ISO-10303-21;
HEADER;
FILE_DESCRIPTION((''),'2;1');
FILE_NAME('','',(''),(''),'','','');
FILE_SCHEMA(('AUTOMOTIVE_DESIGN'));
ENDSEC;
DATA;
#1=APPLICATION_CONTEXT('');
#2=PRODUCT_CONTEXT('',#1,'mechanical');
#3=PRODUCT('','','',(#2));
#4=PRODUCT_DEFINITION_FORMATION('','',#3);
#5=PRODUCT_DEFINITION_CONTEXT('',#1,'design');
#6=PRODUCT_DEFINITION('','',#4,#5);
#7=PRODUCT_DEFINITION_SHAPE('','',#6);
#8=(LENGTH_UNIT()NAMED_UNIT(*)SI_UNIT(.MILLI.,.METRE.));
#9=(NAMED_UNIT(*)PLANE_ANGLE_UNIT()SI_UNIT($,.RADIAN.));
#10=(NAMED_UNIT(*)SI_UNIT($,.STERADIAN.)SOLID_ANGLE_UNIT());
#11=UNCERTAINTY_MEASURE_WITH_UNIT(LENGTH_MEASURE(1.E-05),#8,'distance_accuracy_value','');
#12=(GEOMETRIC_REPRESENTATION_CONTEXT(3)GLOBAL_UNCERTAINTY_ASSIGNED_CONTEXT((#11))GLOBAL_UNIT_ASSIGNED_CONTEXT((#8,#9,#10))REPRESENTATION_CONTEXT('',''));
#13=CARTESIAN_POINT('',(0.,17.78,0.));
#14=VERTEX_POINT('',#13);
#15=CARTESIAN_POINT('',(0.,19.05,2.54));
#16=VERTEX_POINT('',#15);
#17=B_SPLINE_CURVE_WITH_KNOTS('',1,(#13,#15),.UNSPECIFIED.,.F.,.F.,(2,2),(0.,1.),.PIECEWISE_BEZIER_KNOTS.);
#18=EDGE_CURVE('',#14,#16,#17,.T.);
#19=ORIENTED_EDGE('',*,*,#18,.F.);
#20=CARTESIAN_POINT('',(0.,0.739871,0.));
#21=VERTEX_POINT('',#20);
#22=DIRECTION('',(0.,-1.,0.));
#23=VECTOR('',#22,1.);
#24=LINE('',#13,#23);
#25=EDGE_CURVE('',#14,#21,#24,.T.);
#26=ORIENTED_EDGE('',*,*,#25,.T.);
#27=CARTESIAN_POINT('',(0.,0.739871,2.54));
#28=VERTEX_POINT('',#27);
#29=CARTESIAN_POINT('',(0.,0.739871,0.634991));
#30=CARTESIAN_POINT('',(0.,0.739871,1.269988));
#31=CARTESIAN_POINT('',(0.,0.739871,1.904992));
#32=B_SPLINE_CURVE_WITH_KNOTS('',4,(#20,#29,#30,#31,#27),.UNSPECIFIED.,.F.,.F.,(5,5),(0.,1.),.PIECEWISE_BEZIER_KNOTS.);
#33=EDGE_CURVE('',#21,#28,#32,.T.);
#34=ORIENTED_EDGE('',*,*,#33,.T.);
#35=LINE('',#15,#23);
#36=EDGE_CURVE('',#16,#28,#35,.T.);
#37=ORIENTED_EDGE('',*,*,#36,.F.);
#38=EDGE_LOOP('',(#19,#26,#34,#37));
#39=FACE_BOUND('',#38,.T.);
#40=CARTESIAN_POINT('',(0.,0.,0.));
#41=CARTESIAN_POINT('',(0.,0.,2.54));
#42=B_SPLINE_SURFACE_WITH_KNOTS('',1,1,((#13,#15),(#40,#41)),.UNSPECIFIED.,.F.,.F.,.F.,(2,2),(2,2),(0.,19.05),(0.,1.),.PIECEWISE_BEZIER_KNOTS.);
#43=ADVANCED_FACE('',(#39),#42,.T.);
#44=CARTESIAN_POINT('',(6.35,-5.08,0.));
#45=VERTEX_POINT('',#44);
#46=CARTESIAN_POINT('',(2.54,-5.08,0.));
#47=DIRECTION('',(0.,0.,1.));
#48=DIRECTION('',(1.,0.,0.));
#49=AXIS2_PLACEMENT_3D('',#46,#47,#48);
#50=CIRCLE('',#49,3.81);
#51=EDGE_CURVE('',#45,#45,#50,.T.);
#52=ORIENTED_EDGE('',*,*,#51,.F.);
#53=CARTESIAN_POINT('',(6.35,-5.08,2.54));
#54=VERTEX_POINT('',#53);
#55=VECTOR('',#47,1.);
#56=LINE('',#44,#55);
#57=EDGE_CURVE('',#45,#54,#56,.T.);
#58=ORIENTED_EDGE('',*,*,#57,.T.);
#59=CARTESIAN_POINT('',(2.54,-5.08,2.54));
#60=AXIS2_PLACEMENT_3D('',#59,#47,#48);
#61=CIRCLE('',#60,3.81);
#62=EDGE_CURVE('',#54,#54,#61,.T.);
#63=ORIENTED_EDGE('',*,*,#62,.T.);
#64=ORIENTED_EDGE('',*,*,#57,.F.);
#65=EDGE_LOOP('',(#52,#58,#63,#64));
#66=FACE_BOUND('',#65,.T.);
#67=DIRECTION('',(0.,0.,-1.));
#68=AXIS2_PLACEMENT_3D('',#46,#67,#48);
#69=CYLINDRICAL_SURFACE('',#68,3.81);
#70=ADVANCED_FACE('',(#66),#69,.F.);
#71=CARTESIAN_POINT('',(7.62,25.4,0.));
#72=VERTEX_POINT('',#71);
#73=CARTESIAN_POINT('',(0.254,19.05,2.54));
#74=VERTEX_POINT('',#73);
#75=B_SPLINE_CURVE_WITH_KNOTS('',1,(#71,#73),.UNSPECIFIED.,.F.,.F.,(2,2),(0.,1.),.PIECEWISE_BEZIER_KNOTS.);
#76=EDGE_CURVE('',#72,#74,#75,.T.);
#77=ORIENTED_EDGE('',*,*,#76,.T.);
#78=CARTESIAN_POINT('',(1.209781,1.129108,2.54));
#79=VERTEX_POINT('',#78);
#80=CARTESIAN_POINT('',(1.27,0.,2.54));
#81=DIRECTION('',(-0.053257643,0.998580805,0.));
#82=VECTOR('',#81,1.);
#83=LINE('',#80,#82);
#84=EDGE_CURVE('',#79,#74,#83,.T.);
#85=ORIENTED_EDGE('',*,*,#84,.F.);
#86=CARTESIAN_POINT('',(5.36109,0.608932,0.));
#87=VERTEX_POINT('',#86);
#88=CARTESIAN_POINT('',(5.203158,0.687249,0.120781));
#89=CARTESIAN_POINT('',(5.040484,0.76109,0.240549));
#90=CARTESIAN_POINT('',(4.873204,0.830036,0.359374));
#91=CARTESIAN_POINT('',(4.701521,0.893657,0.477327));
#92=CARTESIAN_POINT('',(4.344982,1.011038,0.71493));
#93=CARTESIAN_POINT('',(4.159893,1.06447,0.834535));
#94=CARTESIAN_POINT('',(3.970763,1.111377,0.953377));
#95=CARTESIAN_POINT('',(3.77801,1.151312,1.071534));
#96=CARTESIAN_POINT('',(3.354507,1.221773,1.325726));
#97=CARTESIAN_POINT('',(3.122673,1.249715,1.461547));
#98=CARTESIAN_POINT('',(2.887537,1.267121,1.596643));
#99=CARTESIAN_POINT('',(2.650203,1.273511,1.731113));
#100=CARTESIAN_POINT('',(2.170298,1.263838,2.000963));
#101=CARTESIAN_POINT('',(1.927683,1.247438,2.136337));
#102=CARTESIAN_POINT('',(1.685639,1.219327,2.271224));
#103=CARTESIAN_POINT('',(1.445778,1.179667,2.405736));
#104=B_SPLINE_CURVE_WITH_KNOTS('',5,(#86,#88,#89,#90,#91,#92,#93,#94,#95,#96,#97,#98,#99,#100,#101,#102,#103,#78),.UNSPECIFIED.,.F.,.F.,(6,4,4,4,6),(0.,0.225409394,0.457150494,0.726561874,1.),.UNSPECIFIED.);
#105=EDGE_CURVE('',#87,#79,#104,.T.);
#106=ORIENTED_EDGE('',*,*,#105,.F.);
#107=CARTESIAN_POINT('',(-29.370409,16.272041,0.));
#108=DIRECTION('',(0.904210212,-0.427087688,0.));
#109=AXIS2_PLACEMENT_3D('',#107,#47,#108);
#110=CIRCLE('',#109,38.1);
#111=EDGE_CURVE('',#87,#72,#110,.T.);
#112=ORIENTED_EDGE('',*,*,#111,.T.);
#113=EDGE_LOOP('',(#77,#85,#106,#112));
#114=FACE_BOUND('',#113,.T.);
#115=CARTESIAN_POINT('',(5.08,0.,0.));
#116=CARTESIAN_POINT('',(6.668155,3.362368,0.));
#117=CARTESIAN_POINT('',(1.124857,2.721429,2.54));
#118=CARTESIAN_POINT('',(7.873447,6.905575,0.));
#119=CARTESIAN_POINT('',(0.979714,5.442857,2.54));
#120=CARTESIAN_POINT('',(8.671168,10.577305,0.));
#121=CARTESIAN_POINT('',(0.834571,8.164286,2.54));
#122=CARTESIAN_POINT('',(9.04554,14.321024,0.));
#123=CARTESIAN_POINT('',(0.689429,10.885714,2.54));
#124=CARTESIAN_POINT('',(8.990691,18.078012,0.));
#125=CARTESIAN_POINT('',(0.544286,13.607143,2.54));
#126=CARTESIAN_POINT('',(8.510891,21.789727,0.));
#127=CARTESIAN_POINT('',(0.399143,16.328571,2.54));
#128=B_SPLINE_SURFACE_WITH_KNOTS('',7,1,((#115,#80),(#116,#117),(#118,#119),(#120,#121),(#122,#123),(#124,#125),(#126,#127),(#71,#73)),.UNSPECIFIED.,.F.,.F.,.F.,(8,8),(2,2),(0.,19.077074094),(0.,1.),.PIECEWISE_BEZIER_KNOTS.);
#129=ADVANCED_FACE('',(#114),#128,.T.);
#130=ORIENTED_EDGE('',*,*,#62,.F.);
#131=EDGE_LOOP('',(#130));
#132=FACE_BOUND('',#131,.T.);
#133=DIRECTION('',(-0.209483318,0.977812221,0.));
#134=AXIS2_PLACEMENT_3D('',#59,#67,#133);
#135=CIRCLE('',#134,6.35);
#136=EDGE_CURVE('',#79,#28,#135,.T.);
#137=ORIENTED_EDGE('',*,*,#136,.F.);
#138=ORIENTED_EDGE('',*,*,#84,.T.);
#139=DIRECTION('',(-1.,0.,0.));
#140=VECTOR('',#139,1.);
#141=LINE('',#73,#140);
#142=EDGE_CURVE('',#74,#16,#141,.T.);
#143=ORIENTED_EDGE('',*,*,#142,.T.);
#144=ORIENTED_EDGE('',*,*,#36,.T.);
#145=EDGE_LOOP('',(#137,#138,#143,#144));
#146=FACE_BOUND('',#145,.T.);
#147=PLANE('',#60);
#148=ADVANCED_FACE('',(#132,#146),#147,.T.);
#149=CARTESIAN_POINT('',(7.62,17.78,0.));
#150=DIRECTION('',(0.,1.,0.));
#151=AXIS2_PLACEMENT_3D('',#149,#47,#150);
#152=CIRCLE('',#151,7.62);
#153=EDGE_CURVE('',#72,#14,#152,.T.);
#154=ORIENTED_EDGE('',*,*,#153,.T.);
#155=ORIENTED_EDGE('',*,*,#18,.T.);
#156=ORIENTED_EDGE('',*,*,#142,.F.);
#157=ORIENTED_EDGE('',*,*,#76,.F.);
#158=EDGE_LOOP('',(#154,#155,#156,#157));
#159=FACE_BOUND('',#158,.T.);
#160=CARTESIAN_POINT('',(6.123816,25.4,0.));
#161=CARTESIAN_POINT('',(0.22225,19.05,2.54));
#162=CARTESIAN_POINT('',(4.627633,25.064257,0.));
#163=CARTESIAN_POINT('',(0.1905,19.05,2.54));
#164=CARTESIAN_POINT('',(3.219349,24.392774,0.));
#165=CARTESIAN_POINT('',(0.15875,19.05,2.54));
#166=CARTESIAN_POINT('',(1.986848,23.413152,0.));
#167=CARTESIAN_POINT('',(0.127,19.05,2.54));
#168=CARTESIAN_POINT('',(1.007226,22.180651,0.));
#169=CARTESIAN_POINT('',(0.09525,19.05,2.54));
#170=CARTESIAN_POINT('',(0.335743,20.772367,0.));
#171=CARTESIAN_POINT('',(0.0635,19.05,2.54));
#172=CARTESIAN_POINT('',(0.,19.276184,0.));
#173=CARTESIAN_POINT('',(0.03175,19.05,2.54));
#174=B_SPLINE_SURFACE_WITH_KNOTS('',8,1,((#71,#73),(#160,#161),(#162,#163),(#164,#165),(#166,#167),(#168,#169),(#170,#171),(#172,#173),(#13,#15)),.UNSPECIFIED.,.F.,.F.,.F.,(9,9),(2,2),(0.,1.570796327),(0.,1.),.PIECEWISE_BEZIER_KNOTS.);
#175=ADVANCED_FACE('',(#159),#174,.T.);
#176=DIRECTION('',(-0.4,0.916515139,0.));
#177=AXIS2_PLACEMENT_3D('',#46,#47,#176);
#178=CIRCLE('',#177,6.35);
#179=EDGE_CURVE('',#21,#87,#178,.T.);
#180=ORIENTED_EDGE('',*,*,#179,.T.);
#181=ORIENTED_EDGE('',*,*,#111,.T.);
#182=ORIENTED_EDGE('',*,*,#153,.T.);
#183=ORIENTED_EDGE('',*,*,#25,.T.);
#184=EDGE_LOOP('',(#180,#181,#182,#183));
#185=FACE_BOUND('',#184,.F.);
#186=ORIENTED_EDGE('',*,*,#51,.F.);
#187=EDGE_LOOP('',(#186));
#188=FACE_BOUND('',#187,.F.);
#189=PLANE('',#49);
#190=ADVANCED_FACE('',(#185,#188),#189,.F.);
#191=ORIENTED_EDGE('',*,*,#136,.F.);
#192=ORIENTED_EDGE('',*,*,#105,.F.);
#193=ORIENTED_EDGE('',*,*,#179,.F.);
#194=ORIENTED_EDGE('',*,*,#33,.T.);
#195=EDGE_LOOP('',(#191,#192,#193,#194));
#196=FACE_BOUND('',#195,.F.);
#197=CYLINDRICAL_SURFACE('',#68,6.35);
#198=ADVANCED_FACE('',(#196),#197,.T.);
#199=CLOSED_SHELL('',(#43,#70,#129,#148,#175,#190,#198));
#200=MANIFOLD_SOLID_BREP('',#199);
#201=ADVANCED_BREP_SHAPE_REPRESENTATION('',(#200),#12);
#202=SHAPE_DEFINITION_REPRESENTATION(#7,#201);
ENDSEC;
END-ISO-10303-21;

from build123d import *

# Parameters (mm, degrees)
F4_R     = 6.35
F4_R_2   = 3.81
F5_DEPTH = 2.54


with BuildPart() as f3:
    # F0 (on Top) → F3 section 0
    with BuildSketch(Plane.XY):
        with BuildLine():
            Line((0, 17.78), (0, 0))
            Line((0, 0), (5.08, 0))
            ThreePointArc((5.08, 0), (8.5405078821, 12.4809492118), (7.62, 25.4))
            ThreePointArc((7.62, 25.4), (2.2318463274, 23.1681536726), (0, 17.78))
        make_face()
    # F2 (on offset) → F3 section 1
    with BuildSketch(Plane.XY.offset(2.54)):
        Polygon((0, 19.05), (0, 0), (1.27, 0), (0.254, 19.05), align=None)
    loft()

    # F4 (on Top) → F5 (join, through all)
    with BuildSketch(Plane.XY):
        with Locations((2.54, -5.08)):
            Circle(F4_R)
        with Locations((2.54, -5.08)):
            Circle(F4_R_2, mode=Mode.SUBTRACT)
    extrude(amount=F5_DEPTH)


solid = f3.part
